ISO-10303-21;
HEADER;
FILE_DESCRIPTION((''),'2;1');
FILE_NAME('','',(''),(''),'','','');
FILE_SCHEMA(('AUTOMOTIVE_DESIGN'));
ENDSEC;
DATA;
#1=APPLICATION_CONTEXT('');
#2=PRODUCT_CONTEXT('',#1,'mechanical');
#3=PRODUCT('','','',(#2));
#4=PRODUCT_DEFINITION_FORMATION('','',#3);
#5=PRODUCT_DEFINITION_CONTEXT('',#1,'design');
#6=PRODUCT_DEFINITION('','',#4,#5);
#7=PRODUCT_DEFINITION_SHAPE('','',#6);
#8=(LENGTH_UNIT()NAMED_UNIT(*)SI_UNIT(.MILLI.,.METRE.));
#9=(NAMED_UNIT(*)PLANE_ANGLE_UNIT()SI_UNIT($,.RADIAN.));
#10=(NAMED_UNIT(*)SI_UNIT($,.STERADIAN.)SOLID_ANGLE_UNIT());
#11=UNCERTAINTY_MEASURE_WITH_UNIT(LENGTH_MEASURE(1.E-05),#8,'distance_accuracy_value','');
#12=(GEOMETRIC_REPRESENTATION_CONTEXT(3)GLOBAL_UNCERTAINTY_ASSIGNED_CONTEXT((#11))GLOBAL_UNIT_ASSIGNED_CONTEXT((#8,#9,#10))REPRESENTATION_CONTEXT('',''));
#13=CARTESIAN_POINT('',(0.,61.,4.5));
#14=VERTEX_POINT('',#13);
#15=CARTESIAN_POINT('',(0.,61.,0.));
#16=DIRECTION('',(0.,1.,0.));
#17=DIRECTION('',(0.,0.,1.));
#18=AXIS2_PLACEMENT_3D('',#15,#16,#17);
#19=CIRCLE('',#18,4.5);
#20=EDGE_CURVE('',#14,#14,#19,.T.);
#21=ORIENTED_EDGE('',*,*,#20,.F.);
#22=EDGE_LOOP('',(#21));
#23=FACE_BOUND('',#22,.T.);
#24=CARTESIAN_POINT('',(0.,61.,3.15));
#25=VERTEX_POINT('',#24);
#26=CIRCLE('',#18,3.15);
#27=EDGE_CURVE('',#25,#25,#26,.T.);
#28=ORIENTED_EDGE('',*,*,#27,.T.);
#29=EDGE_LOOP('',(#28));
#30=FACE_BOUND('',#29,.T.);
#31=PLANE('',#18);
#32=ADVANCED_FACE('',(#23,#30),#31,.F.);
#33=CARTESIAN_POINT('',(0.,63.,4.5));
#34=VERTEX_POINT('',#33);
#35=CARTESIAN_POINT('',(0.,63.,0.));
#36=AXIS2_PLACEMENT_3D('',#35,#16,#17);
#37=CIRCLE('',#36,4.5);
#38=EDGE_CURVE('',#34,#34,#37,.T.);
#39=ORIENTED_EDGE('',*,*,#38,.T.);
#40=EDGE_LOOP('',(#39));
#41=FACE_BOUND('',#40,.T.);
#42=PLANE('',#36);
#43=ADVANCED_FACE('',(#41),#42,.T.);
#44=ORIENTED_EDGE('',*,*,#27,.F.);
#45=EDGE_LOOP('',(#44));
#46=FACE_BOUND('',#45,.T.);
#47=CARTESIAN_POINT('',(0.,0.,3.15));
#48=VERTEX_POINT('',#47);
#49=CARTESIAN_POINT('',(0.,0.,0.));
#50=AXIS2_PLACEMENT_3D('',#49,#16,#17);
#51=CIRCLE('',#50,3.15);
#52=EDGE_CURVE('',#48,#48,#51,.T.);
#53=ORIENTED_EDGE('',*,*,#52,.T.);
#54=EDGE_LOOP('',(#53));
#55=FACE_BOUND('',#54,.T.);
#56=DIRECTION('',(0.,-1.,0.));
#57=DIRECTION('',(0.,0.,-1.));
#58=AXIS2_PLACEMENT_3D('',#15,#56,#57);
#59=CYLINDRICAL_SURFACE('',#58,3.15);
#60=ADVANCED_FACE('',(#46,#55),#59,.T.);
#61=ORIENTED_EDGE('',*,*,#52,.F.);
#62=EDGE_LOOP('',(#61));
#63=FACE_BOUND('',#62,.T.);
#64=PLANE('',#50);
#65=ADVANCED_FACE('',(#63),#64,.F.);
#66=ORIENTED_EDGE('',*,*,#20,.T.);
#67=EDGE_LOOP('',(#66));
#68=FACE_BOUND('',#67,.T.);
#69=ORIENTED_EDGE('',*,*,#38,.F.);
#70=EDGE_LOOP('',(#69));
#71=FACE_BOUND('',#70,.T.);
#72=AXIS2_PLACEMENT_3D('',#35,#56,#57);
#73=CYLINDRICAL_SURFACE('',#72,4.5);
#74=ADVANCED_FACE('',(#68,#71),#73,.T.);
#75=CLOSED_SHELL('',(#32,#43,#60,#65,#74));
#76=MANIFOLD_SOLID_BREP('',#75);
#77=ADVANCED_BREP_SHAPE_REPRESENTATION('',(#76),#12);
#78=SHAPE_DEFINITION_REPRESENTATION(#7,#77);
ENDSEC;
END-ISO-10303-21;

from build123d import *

# Parameters (mm, degrees)
ESQUISSE1_R        = 3.15
BOSS_EXTRU_1_DEPTH = 61
ESQUISSE3_R        = 4.5
BOSS_EXTRU_2_DEPTH = 2


with BuildPart() as part:
    # Esquisse1 → Boss.-Extru.1 (new body)
    with BuildSketch(Plane(origin=(0, 0, 0), x_dir=(1, 0, 0), z_dir=(0, 1, 0))):
        Circle(ESQUISSE1_R)
    extrude(amount=BOSS_EXTRU_1_DEPTH)

    # Esquisse3 → Boss.-Extru.2 (add)
    with BuildSketch(Plane(origin=(0, 61, 0), x_dir=(1, 0, 0), z_dir=(0, 1, 0))):
        Circle(ESQUISSE3_R)
    extrude(amount=BOSS_EXTRU_2_DEPTH)


solid = part.part
